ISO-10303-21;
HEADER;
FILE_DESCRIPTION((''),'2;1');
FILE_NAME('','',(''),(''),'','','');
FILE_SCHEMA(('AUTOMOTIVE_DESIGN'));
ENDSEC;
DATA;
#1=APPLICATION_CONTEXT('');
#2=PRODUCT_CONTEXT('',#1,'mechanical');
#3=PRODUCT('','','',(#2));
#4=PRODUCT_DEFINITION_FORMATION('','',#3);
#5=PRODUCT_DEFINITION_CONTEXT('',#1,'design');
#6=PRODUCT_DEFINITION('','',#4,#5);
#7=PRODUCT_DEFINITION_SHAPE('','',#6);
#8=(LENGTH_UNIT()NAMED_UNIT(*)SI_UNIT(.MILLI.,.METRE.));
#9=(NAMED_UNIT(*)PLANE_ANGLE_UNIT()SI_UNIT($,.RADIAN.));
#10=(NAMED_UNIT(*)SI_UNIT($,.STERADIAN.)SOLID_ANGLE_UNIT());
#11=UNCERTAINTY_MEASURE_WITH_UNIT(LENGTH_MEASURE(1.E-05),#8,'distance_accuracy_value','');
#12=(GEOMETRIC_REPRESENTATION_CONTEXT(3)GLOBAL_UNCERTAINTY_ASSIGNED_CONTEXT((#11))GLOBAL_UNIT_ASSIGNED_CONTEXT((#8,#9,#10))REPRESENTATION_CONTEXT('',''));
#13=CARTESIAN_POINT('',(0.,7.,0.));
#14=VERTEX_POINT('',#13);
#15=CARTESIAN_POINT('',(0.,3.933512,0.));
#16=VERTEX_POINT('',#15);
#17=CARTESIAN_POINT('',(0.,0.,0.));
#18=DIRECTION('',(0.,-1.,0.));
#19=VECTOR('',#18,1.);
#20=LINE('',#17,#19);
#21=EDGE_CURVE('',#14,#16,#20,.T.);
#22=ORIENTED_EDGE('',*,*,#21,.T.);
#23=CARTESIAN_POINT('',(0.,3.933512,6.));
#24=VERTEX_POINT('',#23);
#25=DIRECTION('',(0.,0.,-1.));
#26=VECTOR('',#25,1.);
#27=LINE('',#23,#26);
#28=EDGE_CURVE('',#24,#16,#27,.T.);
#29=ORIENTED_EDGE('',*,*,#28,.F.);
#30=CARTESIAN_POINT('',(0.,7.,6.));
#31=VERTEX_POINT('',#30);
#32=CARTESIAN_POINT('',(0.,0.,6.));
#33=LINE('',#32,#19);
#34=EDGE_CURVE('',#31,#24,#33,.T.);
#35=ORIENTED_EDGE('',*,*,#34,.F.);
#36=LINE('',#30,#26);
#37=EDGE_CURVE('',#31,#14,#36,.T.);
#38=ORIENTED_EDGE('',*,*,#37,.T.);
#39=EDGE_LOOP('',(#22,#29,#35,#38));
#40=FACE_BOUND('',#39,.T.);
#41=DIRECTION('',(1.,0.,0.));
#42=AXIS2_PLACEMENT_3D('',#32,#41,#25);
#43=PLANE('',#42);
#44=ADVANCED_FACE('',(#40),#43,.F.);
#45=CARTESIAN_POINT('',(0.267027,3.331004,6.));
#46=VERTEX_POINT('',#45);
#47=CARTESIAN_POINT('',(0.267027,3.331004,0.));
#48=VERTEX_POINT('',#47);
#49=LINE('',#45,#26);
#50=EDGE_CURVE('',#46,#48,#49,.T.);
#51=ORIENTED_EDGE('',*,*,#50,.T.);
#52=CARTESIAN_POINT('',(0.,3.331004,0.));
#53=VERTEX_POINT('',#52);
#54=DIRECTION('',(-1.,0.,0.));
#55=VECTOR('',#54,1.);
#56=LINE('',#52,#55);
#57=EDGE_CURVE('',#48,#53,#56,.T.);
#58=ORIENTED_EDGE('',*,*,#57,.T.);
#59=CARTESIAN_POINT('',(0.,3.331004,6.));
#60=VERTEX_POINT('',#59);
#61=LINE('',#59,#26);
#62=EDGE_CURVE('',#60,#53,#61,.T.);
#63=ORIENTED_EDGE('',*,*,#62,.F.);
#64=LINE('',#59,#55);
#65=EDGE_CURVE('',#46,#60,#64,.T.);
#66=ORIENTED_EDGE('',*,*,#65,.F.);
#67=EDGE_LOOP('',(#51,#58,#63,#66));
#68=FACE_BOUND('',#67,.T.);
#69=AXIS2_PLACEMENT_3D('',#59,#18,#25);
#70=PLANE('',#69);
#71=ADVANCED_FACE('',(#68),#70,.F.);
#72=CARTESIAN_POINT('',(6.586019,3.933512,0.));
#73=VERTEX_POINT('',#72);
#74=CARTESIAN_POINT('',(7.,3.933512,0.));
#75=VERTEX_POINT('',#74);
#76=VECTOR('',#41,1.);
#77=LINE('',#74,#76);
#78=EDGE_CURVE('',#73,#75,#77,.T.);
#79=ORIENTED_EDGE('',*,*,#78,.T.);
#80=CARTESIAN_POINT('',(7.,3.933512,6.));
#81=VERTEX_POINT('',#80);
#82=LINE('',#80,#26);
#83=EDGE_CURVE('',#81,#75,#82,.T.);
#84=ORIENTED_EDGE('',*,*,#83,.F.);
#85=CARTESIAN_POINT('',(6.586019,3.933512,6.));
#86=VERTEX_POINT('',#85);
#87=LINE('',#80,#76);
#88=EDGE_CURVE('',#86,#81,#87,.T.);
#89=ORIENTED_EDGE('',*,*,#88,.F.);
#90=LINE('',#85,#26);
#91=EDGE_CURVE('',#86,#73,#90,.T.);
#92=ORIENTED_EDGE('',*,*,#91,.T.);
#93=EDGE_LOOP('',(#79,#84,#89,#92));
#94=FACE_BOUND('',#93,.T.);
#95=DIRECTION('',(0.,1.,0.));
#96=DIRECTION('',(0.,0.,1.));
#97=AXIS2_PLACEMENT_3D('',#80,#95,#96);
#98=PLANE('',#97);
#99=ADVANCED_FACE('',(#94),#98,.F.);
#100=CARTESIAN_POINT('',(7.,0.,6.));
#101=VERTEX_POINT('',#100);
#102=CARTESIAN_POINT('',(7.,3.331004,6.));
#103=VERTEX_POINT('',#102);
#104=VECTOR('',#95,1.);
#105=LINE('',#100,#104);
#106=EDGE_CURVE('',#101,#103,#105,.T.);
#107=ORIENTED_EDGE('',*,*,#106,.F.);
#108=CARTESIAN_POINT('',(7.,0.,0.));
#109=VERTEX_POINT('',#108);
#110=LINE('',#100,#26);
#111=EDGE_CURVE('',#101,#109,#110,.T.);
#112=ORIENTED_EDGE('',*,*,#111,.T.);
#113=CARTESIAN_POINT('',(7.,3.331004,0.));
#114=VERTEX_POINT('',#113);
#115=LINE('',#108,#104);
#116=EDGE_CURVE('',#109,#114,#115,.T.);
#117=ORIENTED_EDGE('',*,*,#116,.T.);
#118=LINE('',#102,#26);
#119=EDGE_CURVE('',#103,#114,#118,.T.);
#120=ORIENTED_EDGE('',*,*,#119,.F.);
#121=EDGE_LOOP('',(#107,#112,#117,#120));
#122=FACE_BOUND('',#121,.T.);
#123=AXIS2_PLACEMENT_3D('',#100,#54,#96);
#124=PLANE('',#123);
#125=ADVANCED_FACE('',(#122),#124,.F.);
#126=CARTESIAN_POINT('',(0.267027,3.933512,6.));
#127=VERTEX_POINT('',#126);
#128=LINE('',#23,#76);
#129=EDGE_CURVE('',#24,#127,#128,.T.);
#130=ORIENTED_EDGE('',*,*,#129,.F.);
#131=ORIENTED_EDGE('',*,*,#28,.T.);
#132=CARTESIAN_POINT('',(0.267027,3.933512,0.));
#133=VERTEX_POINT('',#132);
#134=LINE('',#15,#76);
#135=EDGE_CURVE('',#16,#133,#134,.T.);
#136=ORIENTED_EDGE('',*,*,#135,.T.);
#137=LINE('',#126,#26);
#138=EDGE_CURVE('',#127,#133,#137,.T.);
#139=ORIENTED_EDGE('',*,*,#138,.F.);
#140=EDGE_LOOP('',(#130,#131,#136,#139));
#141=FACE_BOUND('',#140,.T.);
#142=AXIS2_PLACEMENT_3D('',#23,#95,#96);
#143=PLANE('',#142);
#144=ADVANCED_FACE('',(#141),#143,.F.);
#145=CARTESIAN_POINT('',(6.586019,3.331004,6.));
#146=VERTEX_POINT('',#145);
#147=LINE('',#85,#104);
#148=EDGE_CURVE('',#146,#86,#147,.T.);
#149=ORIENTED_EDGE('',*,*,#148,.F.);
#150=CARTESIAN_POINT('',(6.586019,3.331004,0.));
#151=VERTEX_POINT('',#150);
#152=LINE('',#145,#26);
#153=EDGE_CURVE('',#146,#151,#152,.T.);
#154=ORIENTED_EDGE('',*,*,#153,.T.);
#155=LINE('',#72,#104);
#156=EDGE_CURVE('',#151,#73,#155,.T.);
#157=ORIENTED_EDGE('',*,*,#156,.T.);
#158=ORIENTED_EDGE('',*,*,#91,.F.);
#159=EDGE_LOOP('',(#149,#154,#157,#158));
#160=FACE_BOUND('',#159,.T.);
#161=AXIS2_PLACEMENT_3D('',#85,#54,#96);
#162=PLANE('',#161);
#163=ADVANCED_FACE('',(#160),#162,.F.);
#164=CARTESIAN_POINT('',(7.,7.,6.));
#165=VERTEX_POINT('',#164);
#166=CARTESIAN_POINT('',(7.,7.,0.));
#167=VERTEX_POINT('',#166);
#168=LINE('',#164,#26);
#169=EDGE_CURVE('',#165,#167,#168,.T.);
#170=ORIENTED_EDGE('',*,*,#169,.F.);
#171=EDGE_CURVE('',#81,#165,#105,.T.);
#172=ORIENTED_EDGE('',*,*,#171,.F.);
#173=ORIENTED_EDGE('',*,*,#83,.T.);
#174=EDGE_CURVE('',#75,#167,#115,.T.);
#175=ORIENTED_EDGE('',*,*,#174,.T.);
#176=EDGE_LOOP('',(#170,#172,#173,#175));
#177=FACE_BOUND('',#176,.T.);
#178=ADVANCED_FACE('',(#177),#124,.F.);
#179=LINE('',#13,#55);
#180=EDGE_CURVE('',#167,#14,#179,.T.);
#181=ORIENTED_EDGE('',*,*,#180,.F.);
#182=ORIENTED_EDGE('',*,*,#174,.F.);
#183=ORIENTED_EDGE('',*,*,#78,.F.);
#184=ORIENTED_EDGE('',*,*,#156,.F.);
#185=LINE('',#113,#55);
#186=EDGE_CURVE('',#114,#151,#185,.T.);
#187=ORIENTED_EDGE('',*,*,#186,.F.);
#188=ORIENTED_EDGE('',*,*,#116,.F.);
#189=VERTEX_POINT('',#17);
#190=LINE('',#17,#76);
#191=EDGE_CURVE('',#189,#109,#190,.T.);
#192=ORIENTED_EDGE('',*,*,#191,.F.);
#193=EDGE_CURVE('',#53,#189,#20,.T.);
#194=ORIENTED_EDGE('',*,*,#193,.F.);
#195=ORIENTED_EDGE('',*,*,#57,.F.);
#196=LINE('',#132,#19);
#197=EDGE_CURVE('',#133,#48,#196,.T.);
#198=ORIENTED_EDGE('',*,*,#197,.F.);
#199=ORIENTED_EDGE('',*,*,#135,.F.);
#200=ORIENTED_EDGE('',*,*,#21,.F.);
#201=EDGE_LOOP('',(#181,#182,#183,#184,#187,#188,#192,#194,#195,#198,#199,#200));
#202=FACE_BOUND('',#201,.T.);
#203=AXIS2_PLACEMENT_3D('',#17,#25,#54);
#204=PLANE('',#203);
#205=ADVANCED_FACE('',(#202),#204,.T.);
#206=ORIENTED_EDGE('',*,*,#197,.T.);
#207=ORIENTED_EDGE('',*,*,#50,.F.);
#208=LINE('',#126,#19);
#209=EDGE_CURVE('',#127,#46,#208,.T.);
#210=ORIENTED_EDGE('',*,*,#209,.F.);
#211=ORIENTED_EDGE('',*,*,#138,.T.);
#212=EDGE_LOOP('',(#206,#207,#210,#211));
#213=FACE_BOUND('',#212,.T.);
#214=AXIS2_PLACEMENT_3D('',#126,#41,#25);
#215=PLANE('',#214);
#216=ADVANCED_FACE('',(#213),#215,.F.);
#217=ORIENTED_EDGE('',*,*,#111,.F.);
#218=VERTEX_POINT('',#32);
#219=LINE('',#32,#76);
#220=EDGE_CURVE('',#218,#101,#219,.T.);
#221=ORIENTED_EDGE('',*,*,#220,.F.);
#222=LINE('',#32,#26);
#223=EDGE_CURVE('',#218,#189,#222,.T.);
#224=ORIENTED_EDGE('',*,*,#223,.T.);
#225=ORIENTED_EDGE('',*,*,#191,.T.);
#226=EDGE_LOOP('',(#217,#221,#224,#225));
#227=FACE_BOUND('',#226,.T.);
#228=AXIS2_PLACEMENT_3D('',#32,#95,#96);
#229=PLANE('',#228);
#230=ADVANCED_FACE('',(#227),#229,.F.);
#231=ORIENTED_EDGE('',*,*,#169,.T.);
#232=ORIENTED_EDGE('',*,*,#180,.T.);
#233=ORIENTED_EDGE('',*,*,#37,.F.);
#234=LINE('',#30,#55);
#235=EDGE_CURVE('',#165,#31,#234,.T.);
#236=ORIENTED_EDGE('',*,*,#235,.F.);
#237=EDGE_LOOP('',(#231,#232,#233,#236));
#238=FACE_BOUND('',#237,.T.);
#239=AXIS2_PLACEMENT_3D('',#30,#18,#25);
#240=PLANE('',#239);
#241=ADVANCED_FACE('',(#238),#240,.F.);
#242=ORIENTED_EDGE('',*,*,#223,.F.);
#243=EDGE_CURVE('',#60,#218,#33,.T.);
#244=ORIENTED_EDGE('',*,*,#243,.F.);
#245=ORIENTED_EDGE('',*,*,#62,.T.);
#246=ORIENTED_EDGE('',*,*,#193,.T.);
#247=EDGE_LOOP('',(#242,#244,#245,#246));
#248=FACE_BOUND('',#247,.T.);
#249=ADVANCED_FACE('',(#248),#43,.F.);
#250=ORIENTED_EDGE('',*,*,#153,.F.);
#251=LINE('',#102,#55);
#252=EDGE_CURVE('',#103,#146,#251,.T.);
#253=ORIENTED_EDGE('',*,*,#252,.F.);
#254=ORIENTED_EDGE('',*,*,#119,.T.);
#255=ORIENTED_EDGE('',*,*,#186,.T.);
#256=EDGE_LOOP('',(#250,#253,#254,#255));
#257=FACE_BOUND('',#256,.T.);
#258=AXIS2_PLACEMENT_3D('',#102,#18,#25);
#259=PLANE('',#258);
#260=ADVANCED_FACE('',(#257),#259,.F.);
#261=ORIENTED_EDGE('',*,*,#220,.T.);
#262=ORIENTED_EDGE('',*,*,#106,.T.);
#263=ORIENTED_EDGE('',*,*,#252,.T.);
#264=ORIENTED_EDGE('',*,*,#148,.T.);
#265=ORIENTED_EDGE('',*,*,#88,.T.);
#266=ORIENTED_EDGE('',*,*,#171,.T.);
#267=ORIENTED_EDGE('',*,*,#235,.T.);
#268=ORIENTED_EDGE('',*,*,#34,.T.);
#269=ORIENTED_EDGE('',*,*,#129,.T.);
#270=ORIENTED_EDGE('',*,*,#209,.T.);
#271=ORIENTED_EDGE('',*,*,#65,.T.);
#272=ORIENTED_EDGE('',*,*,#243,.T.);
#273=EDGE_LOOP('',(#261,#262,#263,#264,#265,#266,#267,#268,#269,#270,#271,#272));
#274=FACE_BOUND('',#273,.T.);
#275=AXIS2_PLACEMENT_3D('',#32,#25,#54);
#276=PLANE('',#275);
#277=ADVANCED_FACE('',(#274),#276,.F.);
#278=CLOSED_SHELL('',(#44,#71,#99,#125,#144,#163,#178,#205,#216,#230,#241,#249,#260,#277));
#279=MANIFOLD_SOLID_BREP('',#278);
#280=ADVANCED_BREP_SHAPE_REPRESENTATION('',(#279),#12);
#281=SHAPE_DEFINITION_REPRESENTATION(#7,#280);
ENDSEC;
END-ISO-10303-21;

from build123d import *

# Parameters (mm, degrees)
ESQUISSE1_W             = 7
ESQUISSE1_H             = 7
BOSS_EXTRU_1_DEPTH      = 6
ESQUISSE2_W             = 0.413980681
ESQUISSE2_H             = 0.602508534
ESQUISSE2_W_2           = 0.26702738
ENL_V_MAT_EXTRU_1_DEPTH = 7


with BuildPart() as part:
    # Esquisse1 → Boss.-Extru.1 (new body)
    with BuildSketch(Plane.XY):
        with Locations((3.5, 3.5)):
            Rectangle(ESQUISSE1_W, ESQUISSE1_H)
    extrude(amount=BOSS_EXTRU_1_DEPTH)

    # Esquisse2 → Enlèv. mat.-Extru.1 (cut, through all)
    with BuildSketch(Plane(origin=(0, 0, 0), x_dir=(-1, 0, 0), z_dir=(0, 0, -1))):
        with Locations((-6.79300966, 3.632257971)):
            Rectangle(ESQUISSE2_W, ESQUISSE2_H)
        with Locations((-0.13351369, 3.632257971)):
            Rectangle(ESQUISSE2_W_2, ESQUISSE2_H)
    extrude(amount=-ENL_V_MAT_EXTRU_1_DEPTH, mode=Mode.SUBTRACT)


solid = part.part
